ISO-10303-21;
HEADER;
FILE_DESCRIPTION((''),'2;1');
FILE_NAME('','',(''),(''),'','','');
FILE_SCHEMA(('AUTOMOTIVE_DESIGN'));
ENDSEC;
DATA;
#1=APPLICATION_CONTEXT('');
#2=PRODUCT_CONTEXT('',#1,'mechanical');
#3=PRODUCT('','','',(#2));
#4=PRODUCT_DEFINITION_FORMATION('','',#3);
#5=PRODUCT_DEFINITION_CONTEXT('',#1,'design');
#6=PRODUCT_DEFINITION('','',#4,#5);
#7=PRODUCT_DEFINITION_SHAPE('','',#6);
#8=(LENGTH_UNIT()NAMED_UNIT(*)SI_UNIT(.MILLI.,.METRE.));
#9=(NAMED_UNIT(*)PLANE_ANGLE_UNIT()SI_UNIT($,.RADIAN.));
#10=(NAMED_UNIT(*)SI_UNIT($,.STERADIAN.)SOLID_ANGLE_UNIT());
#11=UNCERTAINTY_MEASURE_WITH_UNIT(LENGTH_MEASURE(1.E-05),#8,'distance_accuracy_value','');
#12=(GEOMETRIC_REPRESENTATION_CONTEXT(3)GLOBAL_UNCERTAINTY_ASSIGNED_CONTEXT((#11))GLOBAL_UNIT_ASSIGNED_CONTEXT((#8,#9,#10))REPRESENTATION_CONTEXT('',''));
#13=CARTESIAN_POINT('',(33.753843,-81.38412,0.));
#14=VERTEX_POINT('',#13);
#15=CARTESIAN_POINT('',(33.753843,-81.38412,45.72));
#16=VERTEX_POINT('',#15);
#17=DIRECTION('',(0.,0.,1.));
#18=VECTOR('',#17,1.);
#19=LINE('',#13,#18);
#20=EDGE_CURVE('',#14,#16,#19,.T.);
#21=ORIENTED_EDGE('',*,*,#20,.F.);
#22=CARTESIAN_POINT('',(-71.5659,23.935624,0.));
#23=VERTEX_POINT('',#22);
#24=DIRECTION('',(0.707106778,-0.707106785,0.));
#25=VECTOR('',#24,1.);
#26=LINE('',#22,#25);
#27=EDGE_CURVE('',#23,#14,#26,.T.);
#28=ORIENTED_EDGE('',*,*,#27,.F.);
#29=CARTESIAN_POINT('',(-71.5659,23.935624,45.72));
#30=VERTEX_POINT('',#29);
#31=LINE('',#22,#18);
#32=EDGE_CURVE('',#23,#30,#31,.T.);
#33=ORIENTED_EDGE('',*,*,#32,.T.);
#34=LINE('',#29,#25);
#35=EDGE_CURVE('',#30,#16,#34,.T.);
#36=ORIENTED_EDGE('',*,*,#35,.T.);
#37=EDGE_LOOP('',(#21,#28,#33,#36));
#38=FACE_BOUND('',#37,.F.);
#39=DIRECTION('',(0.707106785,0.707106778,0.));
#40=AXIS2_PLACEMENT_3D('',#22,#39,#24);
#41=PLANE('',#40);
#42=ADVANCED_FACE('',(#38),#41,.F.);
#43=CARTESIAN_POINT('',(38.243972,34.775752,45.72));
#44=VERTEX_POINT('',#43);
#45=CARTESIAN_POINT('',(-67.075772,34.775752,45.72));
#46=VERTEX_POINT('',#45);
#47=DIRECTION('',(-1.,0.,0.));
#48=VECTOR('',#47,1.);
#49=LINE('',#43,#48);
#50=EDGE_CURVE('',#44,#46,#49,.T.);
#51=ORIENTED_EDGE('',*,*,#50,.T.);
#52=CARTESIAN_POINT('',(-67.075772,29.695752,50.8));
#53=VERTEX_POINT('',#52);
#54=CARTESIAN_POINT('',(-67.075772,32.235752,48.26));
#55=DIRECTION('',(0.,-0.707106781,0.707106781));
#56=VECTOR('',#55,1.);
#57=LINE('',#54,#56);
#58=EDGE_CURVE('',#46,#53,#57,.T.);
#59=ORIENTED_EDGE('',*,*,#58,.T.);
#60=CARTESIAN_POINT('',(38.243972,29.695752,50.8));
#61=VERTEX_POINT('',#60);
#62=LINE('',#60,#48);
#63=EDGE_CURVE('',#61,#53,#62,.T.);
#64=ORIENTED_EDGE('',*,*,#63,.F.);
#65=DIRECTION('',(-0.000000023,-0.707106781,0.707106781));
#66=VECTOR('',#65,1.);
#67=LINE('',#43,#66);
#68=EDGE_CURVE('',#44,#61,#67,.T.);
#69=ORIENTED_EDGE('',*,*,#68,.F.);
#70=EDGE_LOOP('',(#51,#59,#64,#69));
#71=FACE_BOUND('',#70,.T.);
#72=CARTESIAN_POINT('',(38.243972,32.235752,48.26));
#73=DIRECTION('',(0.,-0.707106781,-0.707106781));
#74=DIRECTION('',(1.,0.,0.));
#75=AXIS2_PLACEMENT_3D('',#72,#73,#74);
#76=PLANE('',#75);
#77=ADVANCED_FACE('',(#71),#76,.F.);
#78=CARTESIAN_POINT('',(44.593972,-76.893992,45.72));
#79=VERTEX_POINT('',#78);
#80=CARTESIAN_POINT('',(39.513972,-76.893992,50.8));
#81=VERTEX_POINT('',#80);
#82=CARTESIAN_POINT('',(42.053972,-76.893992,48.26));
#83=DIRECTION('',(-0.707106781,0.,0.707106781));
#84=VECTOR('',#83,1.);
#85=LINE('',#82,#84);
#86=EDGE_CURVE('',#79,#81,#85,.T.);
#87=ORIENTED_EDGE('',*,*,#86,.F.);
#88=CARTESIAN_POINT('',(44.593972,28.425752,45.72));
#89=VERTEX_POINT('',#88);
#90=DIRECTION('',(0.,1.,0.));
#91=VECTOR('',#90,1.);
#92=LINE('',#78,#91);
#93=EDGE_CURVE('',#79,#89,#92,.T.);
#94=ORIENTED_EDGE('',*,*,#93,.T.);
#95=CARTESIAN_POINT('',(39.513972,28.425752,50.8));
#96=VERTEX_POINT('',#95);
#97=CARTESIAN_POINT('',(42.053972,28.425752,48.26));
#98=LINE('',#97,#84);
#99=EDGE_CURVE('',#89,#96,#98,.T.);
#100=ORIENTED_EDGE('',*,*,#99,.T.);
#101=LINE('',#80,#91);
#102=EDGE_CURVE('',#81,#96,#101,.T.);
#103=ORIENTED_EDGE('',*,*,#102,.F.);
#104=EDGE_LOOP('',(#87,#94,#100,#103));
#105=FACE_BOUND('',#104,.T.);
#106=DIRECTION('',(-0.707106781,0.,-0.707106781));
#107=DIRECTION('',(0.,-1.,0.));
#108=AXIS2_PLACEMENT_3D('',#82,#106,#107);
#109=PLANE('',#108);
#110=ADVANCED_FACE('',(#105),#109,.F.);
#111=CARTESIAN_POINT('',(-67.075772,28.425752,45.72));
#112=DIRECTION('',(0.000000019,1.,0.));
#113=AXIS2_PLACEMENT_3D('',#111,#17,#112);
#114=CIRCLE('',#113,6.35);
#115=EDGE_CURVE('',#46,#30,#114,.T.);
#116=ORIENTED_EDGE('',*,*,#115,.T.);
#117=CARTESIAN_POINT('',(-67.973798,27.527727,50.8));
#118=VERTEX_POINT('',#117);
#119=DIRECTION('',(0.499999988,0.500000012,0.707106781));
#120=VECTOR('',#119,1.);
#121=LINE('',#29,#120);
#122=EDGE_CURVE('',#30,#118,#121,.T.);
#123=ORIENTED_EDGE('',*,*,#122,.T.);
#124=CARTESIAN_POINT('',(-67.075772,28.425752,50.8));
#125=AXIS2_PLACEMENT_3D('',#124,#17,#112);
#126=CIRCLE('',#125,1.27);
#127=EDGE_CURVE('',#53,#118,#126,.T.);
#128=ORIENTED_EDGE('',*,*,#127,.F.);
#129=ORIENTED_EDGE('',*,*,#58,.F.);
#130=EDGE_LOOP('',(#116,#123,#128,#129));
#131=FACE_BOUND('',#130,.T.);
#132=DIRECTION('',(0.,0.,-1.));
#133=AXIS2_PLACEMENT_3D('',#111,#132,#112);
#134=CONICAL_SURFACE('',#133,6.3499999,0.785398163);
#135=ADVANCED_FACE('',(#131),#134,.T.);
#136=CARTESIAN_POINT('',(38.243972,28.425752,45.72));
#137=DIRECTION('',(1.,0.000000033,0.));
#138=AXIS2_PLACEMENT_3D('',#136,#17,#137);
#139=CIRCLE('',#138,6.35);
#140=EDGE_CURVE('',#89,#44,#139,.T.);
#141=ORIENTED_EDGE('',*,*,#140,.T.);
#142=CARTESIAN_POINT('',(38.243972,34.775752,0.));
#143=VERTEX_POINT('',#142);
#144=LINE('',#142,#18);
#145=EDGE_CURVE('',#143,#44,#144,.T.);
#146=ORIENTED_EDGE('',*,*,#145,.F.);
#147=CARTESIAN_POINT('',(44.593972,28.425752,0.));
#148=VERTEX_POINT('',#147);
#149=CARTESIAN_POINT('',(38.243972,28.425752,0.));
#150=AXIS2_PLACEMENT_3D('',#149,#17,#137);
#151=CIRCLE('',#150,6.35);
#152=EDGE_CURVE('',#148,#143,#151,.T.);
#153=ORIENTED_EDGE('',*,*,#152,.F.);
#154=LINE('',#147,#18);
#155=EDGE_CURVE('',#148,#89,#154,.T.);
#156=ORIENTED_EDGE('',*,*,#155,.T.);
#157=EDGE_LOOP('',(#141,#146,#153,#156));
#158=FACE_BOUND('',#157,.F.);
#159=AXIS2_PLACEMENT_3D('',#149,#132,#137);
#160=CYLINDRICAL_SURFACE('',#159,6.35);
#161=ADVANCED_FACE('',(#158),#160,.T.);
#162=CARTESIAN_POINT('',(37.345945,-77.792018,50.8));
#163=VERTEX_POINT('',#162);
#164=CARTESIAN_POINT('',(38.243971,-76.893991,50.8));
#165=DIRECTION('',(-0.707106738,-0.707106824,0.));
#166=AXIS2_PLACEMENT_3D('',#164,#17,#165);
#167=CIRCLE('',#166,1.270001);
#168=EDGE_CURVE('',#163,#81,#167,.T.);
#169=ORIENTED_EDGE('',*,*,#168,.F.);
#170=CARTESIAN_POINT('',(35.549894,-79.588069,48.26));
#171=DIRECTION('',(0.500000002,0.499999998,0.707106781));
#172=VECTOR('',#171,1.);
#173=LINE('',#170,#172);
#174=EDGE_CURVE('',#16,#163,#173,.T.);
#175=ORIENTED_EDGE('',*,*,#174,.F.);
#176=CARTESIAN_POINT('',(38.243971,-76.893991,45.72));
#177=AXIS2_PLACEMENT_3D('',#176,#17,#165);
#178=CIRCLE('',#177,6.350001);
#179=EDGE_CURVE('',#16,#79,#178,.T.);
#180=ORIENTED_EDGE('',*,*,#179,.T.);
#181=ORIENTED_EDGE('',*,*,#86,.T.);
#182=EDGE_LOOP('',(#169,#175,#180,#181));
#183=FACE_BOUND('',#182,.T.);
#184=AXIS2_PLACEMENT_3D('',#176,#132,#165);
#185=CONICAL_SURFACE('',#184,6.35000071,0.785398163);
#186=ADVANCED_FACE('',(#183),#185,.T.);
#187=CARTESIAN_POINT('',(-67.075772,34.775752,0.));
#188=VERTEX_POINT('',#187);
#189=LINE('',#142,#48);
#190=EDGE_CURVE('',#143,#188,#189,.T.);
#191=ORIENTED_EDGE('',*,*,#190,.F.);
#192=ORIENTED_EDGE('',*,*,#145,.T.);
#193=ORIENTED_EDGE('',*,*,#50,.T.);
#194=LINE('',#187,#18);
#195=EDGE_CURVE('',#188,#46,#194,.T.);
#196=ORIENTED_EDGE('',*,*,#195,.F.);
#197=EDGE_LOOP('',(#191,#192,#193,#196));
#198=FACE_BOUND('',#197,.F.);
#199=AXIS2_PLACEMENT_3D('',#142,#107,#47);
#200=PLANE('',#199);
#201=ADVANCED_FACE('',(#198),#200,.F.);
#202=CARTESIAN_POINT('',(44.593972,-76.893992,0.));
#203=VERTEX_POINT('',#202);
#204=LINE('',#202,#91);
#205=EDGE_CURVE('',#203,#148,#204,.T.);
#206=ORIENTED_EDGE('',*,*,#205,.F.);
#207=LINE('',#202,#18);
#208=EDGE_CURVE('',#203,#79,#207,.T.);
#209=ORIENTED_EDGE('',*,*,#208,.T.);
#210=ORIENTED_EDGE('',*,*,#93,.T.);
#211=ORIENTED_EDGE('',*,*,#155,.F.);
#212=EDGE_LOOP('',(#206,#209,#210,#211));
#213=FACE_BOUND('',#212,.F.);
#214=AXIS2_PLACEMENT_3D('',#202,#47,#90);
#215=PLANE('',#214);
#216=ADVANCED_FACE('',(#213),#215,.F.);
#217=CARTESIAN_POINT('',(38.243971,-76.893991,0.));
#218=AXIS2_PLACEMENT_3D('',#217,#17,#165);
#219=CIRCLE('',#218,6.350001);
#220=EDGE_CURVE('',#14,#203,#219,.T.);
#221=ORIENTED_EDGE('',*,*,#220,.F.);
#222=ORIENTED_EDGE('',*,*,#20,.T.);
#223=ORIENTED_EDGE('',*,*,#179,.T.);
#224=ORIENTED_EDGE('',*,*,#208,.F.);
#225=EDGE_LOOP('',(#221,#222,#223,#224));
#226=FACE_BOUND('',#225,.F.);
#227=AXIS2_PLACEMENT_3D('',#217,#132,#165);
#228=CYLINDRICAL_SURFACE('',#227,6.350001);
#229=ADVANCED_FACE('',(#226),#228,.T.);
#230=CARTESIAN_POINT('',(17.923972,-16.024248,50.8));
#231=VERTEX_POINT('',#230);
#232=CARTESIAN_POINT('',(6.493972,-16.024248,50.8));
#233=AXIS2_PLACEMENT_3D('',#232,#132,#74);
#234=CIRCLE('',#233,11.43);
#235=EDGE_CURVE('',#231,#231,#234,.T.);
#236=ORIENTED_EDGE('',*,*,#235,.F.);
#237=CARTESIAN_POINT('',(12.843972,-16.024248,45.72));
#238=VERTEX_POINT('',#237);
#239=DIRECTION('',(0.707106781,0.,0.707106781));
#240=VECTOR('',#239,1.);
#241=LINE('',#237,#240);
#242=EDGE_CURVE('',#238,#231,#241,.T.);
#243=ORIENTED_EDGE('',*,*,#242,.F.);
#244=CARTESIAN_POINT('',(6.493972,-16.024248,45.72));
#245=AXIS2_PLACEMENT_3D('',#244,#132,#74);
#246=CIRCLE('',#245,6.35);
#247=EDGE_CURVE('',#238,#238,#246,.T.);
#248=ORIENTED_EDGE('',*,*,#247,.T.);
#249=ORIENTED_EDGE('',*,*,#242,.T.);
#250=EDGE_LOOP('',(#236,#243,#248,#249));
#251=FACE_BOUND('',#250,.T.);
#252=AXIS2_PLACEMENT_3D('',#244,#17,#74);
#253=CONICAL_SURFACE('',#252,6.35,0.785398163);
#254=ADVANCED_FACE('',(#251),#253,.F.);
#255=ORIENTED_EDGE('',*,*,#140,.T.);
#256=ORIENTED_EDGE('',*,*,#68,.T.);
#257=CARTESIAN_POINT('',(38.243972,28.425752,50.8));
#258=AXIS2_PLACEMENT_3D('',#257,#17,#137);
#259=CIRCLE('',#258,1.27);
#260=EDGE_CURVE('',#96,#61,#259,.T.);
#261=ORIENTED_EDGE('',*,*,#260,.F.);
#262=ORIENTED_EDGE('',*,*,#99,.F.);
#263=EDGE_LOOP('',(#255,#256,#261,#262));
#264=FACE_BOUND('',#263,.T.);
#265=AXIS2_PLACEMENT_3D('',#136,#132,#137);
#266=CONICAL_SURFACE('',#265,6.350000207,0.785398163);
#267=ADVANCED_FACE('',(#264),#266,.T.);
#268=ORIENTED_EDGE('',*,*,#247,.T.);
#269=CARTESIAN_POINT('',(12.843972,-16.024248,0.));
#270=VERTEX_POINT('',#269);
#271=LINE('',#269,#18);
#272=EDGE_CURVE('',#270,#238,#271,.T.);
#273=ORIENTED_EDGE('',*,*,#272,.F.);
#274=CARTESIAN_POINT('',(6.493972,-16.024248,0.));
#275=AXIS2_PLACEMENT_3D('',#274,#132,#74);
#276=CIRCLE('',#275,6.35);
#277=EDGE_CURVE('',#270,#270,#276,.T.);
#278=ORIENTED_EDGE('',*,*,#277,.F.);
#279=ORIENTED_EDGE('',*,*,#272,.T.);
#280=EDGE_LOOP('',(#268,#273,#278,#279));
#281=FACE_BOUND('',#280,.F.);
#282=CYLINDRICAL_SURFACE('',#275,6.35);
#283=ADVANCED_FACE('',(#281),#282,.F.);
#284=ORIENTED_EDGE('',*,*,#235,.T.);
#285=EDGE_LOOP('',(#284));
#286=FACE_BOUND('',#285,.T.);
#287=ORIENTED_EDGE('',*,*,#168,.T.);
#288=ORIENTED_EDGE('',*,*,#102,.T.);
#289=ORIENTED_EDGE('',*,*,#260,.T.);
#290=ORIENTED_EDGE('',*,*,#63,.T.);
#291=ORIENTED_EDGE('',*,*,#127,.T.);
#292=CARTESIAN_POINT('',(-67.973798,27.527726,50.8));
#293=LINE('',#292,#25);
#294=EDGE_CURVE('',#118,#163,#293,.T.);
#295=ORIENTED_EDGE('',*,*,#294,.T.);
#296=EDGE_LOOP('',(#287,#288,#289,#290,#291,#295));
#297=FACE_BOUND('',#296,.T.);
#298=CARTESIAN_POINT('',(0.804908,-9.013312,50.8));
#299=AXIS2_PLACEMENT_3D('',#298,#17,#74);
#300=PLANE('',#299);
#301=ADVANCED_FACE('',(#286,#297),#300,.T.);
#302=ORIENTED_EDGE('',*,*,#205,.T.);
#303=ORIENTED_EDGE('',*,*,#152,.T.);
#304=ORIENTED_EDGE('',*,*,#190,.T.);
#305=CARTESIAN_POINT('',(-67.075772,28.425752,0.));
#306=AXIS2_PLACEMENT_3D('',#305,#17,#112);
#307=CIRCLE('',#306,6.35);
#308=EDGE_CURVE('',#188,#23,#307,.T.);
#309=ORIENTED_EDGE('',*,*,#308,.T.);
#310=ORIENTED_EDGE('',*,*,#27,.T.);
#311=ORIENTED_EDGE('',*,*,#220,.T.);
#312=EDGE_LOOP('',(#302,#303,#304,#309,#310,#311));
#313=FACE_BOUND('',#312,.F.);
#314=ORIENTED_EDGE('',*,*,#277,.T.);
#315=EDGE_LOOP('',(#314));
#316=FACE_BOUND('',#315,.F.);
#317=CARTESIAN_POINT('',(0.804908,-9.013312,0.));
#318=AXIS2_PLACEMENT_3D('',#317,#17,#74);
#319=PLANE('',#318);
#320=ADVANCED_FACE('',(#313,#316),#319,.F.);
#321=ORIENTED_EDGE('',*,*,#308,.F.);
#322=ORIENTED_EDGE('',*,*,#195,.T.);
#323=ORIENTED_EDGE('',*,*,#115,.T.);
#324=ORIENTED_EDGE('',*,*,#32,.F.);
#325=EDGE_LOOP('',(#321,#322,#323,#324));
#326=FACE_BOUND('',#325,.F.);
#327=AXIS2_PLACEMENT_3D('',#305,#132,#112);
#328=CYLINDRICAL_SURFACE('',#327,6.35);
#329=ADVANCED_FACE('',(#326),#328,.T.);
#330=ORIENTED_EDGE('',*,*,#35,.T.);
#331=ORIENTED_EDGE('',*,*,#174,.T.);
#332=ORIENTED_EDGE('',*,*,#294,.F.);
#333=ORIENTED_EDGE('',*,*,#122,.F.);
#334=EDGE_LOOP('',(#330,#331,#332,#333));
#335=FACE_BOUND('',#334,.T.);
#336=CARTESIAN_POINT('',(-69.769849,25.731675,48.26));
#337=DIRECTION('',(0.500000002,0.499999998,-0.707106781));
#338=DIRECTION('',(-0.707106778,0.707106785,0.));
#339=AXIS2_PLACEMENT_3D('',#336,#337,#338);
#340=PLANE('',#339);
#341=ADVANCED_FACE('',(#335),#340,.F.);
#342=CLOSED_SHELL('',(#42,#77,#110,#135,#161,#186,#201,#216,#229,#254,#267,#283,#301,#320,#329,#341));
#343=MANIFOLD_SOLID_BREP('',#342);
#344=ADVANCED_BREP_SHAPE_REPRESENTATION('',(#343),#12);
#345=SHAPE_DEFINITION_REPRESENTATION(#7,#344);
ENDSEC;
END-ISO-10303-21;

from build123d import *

# Parameters (mm, degrees)
F1_DEPTH = 50.8
F2_SIZE  = 5.08


with BuildPart() as f1:
    # F0 (on Top) → F1 (new body)
    with BuildSketch(Plane.XY):
        with BuildLine():
            Line((38.243972, 34.775752), (-67.075772, 34.775752))
            ThreePointArc((-67.075772, 34.775752), (-72.942407, 30.855792), (-71.5659, 23.935624))
            Line((-71.5659, 23.935624), (33.753843, -81.38412))
            ThreePointArc((33.753843, -81.38412), (40.674011, -82.760627), (44.593972, -76.893992))
            Line((44.593972, -76.893992), (44.593972, 28.425752))
            ThreePointArc((44.593972, 28.425752), (42.7341, 32.91588), (38.243972, 34.775752))
        make_face()
        with BuildLine():
            ThreePointArc((0.143972, -16.024248), (6.493972, -9.674248), (12.843972, -16.024248))
            ThreePointArc((12.843972, -16.024248), (6.493972, -22.374248), (0.143972, -16.024248))
        make_face(mode=Mode.SUBTRACT)
    extrude(amount=F1_DEPTH)

    # F2
    f2_edges = [f1.edges().sort_by_distance(p)[0] for p in [
        (44.593972, -24.23412, 50.8),
        (0.143972, -16.024248, 50.8),
    ]]
    chamfer(f2_edges, length=F2_SIZE)


solid = f1.part
